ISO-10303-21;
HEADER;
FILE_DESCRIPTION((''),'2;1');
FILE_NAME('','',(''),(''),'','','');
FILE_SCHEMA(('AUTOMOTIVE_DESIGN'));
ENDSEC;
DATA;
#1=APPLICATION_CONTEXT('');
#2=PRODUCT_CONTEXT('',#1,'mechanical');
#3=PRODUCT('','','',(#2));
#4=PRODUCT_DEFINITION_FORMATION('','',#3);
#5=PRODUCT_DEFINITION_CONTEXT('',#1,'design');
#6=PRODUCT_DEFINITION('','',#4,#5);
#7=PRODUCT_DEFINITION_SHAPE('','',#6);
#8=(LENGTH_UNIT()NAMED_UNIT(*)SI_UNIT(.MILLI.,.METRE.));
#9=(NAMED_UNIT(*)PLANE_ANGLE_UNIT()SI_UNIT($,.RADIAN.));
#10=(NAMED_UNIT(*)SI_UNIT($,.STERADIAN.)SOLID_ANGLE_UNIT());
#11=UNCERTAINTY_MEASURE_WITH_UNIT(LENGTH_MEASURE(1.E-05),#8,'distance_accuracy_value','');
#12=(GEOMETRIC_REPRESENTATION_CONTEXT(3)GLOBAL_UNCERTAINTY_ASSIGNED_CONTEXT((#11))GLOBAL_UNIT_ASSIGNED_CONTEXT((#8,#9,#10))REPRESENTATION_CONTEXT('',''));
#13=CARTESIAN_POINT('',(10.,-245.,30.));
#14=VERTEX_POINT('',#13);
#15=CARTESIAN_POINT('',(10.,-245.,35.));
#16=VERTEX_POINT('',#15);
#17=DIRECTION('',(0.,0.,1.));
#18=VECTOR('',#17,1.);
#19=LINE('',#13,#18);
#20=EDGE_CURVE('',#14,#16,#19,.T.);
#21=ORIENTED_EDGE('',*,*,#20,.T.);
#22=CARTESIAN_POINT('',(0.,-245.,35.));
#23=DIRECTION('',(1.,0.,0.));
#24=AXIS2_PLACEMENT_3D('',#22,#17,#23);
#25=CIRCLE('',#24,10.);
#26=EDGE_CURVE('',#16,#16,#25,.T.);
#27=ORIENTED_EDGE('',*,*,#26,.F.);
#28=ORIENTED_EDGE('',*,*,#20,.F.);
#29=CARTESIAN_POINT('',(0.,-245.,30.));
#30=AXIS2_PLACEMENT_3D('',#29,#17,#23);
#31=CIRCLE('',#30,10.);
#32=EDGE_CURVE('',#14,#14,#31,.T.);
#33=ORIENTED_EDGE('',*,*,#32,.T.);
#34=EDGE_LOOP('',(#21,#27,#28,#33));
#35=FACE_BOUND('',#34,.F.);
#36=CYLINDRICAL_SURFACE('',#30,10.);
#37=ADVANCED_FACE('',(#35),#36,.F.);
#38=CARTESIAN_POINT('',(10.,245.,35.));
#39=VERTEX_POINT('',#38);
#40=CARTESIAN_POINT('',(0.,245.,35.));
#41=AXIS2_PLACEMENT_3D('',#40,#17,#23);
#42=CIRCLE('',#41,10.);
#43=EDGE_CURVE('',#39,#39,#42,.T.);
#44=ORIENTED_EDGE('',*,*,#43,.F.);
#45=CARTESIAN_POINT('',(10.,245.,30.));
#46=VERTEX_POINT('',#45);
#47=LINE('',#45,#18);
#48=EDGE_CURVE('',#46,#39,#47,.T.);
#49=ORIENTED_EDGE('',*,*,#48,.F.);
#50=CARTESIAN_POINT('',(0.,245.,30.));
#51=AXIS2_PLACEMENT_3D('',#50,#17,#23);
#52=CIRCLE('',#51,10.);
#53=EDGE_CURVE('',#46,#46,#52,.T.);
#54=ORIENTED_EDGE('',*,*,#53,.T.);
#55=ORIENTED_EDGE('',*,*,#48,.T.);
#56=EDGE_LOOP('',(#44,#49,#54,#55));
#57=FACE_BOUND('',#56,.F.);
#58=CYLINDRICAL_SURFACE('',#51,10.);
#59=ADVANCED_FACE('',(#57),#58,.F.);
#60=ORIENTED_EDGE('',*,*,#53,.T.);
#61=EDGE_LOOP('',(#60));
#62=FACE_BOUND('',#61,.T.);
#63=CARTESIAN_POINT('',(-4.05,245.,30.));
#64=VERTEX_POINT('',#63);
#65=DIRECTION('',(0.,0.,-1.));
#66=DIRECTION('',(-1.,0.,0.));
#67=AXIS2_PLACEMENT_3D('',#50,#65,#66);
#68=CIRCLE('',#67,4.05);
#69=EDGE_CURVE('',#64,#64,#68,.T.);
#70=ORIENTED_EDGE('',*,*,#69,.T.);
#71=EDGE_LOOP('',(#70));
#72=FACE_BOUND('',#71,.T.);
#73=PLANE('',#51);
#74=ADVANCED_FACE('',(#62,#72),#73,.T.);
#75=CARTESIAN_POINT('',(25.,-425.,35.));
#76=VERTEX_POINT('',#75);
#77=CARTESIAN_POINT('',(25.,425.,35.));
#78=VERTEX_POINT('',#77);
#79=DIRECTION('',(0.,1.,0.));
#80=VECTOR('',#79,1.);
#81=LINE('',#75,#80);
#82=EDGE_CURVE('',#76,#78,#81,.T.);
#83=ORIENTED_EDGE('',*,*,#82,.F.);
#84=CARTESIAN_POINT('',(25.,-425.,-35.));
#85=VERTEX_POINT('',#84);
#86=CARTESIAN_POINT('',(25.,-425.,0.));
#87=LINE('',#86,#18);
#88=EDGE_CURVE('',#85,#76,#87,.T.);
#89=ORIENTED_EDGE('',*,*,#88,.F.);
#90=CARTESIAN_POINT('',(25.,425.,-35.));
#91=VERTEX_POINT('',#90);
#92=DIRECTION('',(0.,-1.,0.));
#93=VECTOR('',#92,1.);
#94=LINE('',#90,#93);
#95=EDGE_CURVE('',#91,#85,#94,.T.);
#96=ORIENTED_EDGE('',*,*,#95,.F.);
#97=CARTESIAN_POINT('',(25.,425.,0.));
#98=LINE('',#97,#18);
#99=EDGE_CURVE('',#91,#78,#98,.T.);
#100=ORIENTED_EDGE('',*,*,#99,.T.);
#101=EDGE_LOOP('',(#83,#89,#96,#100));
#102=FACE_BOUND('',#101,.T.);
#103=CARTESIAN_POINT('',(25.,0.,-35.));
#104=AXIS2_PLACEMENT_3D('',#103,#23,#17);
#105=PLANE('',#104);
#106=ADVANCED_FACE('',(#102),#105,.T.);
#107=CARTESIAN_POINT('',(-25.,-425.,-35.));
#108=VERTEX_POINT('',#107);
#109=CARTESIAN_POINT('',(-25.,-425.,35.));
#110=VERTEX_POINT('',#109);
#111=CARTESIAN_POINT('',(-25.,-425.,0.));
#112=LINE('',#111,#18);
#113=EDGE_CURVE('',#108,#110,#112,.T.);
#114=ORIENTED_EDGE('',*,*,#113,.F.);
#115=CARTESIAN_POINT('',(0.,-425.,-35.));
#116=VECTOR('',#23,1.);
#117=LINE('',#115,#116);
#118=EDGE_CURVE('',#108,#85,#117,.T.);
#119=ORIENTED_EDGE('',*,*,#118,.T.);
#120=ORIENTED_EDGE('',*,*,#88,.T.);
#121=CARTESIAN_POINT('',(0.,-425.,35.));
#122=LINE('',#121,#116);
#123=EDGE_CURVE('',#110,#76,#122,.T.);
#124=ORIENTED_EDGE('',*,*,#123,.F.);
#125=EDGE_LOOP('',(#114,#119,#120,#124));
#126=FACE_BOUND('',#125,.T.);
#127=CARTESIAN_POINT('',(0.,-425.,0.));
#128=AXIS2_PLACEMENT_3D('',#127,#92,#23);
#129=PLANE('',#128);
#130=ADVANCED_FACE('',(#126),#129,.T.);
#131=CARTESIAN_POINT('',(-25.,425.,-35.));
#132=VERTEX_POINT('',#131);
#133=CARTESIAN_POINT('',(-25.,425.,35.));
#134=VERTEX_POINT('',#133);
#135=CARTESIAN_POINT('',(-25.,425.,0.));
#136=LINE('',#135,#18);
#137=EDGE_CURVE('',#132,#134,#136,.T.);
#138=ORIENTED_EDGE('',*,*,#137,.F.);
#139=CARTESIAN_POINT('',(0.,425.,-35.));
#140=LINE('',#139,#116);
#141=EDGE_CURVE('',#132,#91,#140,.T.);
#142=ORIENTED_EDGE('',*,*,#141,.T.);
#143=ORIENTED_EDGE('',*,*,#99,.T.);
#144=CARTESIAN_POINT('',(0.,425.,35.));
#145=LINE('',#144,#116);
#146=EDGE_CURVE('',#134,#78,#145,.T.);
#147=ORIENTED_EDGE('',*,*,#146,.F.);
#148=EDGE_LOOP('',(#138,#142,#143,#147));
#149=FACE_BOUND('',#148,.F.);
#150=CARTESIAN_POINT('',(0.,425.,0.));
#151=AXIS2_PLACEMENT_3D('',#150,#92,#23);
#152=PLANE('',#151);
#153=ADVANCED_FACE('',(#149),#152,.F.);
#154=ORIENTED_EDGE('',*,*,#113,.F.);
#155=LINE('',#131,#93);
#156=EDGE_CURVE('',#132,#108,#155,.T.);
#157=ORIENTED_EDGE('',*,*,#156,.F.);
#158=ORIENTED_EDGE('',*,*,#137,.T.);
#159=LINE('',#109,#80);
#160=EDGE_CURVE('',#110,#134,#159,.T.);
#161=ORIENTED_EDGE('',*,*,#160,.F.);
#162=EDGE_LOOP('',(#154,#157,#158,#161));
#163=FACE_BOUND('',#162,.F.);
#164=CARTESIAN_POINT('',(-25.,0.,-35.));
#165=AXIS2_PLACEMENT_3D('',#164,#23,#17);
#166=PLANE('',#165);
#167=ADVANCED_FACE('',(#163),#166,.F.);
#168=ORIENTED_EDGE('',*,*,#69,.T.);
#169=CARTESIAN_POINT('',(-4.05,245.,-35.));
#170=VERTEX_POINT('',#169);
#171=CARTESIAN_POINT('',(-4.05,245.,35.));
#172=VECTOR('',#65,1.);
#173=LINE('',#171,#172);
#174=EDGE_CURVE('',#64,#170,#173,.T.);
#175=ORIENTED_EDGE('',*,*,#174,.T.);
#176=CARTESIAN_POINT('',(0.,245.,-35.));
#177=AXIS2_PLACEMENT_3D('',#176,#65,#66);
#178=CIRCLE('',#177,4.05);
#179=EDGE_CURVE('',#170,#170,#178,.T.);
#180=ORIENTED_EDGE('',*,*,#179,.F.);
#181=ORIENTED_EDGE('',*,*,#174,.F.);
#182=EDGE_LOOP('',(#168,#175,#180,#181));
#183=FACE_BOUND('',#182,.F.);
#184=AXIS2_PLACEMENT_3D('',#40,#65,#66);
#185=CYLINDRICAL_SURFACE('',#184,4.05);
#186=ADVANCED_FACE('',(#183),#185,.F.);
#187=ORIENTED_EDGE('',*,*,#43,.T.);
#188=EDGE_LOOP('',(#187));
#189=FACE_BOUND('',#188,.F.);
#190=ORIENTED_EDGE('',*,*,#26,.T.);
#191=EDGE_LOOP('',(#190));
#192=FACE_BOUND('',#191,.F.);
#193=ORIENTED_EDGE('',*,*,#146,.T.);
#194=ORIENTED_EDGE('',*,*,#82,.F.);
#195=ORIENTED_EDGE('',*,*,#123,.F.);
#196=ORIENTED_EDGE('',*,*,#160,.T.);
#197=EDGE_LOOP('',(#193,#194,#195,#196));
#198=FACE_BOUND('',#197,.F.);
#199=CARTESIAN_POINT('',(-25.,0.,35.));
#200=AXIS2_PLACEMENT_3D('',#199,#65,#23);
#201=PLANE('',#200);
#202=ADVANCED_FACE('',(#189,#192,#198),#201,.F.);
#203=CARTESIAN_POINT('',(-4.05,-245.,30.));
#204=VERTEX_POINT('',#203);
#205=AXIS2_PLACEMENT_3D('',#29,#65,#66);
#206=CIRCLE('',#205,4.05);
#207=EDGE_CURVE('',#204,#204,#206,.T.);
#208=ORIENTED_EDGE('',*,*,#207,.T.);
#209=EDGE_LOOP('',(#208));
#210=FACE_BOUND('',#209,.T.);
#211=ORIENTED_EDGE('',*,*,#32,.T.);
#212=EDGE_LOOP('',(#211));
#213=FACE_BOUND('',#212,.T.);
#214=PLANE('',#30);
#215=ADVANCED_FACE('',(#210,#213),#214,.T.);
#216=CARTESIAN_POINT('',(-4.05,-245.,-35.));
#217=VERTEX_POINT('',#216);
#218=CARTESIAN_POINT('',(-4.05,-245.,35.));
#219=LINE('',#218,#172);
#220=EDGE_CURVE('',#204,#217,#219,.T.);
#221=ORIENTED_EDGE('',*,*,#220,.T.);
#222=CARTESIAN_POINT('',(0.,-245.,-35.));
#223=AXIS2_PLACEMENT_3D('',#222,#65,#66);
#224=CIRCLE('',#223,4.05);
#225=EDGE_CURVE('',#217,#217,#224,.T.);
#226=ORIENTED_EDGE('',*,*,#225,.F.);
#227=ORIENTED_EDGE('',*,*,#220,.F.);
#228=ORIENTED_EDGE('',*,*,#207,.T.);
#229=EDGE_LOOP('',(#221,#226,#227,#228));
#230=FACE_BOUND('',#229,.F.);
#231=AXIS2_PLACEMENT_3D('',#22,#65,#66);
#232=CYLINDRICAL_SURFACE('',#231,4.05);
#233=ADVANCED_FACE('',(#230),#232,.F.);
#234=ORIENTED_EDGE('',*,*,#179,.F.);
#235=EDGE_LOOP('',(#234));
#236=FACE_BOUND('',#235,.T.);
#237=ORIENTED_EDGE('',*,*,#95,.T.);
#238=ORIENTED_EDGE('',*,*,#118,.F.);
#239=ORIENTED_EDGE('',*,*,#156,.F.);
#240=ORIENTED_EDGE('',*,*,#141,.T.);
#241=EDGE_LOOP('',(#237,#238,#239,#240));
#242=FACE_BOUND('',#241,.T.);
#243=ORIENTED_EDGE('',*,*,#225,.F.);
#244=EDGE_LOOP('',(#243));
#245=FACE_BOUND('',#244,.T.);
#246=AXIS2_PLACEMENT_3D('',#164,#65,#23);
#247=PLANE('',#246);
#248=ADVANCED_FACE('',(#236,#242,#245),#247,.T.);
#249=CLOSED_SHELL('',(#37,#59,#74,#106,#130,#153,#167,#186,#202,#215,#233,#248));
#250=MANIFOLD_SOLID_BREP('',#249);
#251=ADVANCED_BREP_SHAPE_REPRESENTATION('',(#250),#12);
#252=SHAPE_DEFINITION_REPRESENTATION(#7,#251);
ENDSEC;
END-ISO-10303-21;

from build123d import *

# Parameters (mm, degrees)
F0_W           = 50
F0_H           = 70
F3_DEPTH       = 425
F3_DEPTH_BACK  = 425
F2_D           = 8.1
F2_CBORE_D     = 20
F2_CBORE_DEPTH = 5


with BuildPart() as f3:
    # F0 (on Front) → F3 (new body, two sides)
    with BuildSketch(Plane.XZ) as f3_sk:
        Rectangle(F0_W, F0_H)
    extrude(amount=F3_DEPTH)
    extrude(f3_sk.sketch, amount=-F3_DEPTH_BACK)

    # F2 (through all)
    with Locations(Plane.XY.offset(35)):
        with Locations((0, -245), (0, 245)):
            CounterBoreHole(F2_D / 2, F2_CBORE_D / 2, F2_CBORE_DEPTH)


solid = f3.part
